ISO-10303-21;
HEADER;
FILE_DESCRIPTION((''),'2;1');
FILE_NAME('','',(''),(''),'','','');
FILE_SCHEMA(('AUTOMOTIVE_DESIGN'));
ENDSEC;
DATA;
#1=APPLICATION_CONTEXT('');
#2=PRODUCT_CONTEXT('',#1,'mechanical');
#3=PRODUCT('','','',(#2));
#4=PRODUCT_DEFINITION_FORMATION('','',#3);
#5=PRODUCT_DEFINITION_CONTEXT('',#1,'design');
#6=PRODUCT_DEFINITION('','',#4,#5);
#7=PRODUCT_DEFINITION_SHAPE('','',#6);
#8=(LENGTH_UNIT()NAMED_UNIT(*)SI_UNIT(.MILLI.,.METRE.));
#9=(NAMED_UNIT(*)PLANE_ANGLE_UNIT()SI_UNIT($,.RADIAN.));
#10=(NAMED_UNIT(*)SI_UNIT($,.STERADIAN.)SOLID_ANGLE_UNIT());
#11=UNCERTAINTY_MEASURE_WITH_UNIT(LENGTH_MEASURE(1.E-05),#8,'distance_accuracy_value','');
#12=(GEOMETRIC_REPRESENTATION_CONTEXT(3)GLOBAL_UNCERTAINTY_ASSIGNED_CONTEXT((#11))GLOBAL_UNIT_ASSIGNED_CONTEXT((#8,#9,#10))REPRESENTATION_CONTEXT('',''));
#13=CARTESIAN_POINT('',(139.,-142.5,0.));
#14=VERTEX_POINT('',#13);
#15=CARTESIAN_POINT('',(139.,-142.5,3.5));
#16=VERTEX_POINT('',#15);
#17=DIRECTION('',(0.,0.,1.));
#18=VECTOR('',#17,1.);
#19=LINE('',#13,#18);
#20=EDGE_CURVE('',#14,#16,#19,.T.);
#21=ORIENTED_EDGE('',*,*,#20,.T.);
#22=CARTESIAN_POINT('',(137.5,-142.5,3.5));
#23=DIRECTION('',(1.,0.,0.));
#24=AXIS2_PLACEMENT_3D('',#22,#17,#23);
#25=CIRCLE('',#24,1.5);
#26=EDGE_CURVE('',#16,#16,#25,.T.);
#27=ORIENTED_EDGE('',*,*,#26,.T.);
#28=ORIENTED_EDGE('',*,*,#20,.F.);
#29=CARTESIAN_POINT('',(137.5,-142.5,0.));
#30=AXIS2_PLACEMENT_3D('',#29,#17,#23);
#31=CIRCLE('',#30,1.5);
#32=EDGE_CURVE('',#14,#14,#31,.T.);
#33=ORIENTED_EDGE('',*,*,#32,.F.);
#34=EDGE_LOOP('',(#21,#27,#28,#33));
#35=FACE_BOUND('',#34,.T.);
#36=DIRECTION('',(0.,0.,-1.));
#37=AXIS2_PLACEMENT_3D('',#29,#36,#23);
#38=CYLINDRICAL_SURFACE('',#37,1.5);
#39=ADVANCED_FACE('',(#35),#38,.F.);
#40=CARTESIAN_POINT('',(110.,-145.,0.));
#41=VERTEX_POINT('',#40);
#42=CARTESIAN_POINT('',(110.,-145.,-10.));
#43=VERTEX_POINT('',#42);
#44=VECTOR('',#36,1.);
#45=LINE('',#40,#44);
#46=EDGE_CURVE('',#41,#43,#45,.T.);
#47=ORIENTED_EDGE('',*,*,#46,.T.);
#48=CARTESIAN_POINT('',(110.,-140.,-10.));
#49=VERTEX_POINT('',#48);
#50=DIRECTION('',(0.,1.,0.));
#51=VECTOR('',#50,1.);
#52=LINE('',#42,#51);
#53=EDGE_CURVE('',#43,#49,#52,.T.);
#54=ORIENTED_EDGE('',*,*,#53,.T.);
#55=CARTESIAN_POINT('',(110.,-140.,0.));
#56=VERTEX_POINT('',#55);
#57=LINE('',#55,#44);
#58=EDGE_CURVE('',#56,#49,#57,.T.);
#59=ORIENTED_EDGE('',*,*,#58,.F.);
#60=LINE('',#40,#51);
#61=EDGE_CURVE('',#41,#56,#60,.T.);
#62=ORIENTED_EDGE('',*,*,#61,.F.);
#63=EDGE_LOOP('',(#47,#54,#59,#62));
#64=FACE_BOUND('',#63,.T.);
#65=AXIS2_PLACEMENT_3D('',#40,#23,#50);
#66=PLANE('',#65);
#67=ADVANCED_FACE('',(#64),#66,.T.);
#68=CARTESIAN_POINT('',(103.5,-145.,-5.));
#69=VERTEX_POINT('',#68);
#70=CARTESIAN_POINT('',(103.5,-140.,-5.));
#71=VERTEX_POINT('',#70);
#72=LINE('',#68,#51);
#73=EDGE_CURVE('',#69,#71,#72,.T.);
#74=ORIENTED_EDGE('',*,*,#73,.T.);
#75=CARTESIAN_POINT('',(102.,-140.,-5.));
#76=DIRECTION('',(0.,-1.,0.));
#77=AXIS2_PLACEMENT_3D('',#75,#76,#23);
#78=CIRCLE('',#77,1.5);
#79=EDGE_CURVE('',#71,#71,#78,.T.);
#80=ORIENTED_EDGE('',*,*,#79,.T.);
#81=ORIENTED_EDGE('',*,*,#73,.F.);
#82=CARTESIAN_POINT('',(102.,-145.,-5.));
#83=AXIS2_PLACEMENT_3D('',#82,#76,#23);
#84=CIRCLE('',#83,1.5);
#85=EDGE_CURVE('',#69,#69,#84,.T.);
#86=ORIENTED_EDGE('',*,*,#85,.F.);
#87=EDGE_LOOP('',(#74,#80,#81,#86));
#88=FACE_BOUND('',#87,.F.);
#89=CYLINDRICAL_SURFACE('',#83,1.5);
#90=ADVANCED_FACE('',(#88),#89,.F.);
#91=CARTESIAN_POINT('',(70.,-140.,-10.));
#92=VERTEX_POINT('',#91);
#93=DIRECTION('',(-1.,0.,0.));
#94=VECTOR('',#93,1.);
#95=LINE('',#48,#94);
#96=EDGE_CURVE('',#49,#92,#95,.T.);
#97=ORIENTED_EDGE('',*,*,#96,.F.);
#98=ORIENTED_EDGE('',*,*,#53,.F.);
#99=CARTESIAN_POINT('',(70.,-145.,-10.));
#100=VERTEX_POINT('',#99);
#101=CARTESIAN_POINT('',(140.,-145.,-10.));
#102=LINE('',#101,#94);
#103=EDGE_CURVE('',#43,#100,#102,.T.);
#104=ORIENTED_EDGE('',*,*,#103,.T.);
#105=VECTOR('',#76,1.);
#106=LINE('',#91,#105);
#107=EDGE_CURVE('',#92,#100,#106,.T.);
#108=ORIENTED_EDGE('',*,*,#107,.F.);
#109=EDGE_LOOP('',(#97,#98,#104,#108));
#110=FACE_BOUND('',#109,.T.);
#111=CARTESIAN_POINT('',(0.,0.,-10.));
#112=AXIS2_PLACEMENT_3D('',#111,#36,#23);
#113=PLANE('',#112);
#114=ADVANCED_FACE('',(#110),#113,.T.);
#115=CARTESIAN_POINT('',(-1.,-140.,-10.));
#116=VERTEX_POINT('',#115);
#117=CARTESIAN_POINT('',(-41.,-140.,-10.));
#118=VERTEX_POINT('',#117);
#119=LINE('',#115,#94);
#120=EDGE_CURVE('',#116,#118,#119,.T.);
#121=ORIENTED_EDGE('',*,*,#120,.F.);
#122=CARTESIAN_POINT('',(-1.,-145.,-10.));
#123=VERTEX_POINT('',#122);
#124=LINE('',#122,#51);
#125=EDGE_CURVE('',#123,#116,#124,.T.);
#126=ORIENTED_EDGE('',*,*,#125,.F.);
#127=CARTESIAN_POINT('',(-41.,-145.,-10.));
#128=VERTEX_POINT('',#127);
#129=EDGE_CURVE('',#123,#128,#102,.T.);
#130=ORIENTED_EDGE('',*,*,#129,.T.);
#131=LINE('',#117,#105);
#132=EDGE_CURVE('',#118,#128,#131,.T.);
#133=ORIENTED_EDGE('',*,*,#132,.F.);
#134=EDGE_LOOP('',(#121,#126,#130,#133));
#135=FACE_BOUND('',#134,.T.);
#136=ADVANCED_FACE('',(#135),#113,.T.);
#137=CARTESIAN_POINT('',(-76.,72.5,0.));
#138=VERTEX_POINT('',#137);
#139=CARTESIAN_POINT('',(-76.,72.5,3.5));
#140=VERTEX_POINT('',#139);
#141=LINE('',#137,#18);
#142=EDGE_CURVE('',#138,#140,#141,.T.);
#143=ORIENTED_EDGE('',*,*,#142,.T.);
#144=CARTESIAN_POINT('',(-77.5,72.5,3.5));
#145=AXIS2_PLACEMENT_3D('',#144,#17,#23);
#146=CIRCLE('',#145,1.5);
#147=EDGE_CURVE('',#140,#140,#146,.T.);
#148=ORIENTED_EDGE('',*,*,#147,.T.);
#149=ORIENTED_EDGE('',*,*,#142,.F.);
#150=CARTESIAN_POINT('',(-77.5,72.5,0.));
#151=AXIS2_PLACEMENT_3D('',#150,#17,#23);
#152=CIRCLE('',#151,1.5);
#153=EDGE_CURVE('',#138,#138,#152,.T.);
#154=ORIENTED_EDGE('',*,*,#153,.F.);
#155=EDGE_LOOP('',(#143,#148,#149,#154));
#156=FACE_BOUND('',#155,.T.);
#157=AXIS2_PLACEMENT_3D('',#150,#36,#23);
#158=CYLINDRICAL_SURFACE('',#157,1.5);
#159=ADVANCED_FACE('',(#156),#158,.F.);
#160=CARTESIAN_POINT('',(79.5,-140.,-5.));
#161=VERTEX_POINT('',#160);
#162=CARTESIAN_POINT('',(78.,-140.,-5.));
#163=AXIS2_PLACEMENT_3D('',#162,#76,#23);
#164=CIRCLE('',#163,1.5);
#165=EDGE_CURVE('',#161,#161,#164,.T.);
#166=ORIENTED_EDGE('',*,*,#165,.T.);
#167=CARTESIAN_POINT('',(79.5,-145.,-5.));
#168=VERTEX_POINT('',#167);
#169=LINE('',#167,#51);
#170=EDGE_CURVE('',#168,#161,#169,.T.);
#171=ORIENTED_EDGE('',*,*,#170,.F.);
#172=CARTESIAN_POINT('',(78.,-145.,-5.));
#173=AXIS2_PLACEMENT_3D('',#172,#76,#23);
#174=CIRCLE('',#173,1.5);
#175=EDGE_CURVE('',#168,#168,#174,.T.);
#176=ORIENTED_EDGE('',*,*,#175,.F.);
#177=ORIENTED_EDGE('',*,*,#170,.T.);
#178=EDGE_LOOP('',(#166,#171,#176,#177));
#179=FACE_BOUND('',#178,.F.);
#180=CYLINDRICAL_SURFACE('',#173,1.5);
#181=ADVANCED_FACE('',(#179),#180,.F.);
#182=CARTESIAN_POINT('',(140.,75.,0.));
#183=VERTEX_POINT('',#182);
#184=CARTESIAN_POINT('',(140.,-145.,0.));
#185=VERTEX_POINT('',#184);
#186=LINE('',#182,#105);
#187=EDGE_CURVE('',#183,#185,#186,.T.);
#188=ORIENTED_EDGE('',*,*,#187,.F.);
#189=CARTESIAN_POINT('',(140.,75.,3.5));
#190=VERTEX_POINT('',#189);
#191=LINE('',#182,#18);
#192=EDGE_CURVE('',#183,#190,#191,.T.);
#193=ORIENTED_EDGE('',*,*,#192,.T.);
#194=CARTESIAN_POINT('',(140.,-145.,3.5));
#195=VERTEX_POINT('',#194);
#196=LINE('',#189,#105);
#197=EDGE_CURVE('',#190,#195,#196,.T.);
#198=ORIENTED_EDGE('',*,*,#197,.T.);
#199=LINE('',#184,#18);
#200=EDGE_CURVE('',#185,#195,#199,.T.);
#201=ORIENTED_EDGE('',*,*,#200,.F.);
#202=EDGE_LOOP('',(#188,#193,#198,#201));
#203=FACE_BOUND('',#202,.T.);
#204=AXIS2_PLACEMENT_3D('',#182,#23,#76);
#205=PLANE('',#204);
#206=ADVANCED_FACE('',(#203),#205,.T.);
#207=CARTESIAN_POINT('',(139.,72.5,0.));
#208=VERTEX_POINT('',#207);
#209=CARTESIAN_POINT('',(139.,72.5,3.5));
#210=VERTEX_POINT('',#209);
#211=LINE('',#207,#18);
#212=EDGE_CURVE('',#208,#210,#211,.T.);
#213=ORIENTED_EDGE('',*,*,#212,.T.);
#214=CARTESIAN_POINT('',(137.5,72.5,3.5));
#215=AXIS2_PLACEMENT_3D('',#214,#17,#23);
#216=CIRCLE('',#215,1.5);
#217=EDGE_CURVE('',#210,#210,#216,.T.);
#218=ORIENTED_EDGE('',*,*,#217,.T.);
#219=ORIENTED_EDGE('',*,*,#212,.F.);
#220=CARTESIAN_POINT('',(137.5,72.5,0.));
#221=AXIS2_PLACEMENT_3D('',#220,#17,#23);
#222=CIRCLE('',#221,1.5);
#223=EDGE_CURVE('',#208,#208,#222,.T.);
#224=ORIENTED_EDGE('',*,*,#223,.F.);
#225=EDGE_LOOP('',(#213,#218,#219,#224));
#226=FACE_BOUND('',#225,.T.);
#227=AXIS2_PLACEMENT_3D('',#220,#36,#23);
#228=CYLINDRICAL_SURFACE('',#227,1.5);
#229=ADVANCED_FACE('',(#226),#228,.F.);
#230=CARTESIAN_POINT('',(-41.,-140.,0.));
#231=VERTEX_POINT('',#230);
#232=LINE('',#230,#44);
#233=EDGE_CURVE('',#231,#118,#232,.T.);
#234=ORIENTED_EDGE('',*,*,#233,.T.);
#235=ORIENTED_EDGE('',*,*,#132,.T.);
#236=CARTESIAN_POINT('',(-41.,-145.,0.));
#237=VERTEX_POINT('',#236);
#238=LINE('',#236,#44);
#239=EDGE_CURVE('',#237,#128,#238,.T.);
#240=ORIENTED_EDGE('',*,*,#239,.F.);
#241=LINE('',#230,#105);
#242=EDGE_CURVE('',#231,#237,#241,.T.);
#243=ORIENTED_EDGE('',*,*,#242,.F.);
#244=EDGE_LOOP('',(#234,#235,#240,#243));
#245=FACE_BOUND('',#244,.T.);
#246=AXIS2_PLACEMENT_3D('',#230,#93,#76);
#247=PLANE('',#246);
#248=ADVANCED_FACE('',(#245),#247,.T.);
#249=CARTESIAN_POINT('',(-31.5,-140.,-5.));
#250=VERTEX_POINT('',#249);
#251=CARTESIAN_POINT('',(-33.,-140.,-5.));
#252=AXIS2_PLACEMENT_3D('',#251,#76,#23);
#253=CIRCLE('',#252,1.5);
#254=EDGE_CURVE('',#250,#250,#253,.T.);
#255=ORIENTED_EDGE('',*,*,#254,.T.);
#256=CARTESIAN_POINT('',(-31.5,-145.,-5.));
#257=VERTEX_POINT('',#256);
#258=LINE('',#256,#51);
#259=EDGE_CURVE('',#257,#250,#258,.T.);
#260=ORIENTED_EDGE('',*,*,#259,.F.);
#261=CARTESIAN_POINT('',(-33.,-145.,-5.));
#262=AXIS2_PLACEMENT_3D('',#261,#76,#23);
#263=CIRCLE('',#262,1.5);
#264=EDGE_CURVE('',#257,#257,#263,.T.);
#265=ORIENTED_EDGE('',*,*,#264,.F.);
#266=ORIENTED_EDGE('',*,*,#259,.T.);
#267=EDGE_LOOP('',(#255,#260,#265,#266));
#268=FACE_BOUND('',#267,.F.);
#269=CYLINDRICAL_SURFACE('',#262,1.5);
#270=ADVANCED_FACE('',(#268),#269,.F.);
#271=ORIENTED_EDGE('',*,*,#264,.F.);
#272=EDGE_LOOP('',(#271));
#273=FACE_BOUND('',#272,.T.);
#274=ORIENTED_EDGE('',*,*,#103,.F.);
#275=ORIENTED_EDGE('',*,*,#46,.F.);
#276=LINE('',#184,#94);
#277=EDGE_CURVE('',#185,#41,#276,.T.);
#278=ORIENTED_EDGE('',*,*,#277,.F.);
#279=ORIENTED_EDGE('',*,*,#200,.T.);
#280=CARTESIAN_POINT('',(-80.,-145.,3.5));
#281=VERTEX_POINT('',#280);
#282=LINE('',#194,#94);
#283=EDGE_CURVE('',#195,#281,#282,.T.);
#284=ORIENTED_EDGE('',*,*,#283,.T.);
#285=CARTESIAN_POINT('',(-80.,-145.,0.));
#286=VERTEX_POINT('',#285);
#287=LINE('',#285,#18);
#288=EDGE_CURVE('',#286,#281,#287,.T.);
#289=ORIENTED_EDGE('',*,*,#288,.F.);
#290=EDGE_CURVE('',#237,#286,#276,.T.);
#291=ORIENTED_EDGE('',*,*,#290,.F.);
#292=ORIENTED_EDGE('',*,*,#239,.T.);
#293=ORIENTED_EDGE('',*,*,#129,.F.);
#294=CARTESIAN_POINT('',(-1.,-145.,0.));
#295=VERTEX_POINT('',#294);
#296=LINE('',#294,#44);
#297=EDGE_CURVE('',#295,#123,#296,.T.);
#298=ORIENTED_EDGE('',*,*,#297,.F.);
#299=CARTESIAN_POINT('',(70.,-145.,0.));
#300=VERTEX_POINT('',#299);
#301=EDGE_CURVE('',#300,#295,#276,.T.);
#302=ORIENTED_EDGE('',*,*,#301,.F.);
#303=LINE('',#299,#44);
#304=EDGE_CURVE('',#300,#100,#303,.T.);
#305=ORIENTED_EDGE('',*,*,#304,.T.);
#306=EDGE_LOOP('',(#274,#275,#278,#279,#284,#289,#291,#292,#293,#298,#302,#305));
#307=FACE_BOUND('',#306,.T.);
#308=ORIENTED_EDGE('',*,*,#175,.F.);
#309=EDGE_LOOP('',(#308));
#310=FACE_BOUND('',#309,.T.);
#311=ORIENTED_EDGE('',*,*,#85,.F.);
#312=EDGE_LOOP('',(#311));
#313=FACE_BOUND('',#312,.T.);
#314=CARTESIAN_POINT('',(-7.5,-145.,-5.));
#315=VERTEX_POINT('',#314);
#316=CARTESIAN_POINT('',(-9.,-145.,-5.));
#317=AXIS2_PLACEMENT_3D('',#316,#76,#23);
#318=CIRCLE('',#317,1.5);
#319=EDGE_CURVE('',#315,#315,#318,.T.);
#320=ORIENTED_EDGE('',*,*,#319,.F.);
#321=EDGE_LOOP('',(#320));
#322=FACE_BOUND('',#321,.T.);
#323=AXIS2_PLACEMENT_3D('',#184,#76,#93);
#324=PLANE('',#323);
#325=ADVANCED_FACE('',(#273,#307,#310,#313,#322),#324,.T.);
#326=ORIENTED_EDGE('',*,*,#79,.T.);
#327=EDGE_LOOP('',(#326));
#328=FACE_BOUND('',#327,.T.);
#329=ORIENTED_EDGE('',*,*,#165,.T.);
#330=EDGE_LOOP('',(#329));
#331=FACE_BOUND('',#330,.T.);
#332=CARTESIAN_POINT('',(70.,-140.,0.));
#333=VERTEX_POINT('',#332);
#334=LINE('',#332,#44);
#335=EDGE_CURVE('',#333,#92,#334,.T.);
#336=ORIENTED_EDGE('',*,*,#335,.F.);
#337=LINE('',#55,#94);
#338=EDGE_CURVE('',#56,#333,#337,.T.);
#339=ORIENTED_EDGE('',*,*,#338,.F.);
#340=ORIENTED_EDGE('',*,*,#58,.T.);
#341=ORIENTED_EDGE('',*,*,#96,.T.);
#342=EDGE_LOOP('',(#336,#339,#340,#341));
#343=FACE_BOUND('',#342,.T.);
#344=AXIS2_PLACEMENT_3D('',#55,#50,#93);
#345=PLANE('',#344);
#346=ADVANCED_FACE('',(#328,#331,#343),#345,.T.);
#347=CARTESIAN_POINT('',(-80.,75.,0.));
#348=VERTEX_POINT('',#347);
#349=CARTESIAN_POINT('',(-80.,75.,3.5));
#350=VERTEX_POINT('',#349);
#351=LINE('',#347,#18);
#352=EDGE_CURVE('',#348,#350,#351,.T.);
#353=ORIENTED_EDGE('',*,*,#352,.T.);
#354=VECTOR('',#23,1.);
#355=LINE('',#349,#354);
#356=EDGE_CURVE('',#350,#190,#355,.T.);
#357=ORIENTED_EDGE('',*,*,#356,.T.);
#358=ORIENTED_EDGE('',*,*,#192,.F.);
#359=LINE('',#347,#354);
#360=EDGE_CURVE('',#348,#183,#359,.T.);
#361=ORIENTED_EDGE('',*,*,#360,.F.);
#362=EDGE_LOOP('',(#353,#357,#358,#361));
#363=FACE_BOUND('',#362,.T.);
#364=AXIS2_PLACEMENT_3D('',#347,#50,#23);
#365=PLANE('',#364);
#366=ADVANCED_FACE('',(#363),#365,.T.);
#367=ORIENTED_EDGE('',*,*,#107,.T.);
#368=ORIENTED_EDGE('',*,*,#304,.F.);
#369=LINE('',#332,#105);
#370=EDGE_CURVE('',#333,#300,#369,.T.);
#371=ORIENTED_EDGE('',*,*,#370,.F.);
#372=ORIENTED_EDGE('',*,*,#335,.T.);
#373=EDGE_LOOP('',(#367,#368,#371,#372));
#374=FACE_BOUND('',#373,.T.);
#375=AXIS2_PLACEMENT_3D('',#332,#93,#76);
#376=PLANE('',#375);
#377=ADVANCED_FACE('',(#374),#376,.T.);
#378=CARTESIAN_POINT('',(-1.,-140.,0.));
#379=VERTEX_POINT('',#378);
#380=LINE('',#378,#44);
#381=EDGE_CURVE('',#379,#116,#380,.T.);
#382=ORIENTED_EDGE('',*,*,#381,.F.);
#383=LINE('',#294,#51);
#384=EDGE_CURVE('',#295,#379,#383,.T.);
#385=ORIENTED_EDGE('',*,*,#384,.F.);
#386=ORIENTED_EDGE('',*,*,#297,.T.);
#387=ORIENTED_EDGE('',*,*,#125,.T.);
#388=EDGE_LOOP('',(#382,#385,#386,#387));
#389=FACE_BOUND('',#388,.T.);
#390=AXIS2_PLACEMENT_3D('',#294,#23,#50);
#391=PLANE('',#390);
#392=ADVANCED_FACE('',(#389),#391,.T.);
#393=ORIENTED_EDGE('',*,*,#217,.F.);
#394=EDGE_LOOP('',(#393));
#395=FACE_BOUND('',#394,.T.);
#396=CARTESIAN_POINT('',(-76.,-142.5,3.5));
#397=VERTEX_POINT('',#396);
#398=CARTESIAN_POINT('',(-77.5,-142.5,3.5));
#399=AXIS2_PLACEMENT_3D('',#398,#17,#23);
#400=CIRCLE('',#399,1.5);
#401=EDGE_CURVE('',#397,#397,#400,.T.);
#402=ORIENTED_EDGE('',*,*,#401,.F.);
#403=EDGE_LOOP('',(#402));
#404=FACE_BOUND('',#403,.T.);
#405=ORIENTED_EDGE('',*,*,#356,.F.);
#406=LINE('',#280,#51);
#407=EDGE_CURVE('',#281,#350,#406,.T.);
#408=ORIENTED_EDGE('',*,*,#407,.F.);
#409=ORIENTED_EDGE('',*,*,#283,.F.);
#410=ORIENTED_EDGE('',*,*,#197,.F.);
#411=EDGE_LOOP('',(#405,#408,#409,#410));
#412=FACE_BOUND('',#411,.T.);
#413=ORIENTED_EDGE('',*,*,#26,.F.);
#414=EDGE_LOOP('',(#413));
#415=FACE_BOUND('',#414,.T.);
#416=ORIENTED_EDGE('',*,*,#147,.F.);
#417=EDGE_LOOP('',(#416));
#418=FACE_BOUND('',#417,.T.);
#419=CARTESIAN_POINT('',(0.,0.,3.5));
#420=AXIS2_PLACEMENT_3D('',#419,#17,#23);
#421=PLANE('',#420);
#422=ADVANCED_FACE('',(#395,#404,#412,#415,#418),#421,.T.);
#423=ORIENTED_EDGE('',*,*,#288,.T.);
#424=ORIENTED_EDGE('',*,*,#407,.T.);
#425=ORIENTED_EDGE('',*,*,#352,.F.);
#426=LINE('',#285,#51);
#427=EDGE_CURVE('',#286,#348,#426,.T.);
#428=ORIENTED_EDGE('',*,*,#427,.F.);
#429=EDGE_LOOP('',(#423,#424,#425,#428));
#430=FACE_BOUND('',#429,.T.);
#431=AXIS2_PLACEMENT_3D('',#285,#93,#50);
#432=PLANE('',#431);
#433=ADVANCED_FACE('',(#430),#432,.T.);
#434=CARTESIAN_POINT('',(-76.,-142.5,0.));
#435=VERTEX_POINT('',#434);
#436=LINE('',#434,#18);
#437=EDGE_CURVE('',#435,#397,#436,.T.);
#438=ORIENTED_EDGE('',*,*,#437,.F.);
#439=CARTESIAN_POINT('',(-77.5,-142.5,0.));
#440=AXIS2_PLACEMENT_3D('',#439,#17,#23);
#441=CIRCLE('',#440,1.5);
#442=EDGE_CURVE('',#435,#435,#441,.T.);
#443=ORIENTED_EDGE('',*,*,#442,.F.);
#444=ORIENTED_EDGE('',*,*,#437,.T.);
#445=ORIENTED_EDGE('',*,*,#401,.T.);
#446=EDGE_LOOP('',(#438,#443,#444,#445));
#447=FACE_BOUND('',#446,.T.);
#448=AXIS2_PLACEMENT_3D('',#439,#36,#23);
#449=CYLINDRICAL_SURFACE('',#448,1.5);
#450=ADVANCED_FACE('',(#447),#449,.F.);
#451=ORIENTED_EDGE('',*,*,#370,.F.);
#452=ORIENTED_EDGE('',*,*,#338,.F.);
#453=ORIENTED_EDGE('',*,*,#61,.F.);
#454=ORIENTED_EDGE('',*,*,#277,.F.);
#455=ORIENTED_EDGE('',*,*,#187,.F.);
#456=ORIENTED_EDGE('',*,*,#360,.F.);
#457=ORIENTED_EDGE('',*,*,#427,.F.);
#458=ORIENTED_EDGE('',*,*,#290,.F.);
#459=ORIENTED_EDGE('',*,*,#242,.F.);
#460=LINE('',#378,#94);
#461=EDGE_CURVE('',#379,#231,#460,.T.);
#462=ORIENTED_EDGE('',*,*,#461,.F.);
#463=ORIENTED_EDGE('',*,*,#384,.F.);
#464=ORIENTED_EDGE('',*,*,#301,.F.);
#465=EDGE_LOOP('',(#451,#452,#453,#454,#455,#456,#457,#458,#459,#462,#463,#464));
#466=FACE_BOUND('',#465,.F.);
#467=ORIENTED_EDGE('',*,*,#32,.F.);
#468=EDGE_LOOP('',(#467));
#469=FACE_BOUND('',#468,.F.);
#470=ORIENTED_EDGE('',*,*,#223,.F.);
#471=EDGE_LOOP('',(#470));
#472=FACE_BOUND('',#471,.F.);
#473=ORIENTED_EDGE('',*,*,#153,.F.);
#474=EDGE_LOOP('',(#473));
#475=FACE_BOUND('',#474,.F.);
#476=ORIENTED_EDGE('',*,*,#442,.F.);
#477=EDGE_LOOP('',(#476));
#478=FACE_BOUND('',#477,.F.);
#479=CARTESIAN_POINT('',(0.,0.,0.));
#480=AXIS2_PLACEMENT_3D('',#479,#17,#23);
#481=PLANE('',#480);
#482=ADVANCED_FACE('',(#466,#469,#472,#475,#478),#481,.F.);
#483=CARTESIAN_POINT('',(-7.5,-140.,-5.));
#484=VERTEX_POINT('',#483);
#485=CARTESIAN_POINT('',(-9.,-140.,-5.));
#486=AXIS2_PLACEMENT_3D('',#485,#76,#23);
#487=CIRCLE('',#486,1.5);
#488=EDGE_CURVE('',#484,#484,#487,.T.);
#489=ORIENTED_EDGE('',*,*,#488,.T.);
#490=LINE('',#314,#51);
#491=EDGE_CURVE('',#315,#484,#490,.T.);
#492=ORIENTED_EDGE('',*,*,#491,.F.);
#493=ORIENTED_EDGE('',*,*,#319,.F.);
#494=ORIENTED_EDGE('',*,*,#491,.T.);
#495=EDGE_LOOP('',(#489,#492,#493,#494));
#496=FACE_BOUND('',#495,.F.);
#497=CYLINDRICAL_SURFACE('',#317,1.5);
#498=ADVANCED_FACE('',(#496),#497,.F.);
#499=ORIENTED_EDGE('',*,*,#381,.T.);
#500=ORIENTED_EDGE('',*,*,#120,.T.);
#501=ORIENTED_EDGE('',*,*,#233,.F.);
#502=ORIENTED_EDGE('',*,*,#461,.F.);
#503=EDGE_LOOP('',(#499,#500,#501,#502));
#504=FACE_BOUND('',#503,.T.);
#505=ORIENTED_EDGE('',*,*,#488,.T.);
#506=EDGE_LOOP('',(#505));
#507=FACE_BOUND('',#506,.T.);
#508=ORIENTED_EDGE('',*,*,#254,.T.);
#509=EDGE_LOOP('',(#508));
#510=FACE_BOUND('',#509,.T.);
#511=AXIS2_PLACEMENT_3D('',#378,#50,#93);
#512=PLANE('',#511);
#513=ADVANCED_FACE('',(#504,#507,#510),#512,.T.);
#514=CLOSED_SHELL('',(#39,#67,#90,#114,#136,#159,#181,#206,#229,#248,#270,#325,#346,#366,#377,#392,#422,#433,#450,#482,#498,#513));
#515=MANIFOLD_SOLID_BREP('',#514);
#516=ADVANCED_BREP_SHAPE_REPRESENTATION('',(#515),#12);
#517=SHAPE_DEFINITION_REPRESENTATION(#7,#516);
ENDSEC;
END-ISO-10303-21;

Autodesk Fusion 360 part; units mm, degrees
sketch "Sketch1" plane through (0, 0, 0) normal (0, 0, 1) x (1, 0, 0)
  line L0 (-80, 75) -> (140, 75)
  line L1 (140, 75) -> (140, -145)
  line L2 (140, -145) -> (-80, -145)
  line L3 (-80, -145) -> (-80, 75)
  circle A0 centre (-77.5, 72.5) radius 1.5
  circle A1 centre (137.5, 72.5) radius 1.5
  circle A2 centre (137.5, -142.5) radius 1.5
  circle A3 centre (-77.5, -142.5) radius 1.5
  dimension "d1" = 220
  dimension "d2" = 220
  dimension "d3" = 3
  dimension "d4" = 3
  dimension "d5" = 3
  dimension "d6" = 3
  dimension "d7" = 2.5
  dimension "d8" = 2.5
  dimension "d9" = 2.5
  dimension "d10" = 2.5
  dimension "d11" = 2.5
  dimension "d12" = 2.5
  dimension "d13" = 2.5
  dimension "d14" = 2.5
extrude "Extrude1" add sketch "Sketch1" along normal blind 3.5
sketch "Sketch2" plane through (0, 0, 0) normal (0, 0, -1) x (1, 0, 0)
  circle A0 centre (137.5, 142.5) radius 1.5
  circle A1 centre (137.5, -72.5) radius 1.5
  circle A2 centre (-77.5, -72.5) radius 1.5
  circle A3 centre (-77.5, 142.5) radius 1.5
  line L0 (140, 145) -> (-80, 145)
  line L1 (-80, 145) -> (-80, -75)
  line L2 (-80, -75) -> (140, -75)
  line L3 (140, -75) -> (140, 145)
  line L4 (-41, 145) -> (-1, 145)
  line L5 (-1, 145) -> (-1, 140)
  line L6 (-1, 140) -> (-41, 140)
  line L7 (-41, 140) -> (-41, 145)
  line L8 (70, 145) -> (110, 145)
  line L9 (110, 145) -> (110, 140)
  line L10 (110, 140) -> (70, 140)
  line L11 (70, 140) -> (70, 145)
  dimension "d17" = 5
  dimension "d18" = 5
  dimension "d19" = 40
  dimension "d20" = 40
  dimension "d21" = 30
  dimension "d22" = 39
extrude "Extrude2" add sketch "Sketch2" along normal blind 10 contours L0 L8 L9 L10 L11 | L0 L4 L5 L6 L7
sketch "Sketch3" plane through (0, -145, 0) normal (0, -1, 0) x (1, 0, 0)
  line L0 (110, 0) -> (140, 0)
  line L1 (140, 0) -> (140, 3.5)
  line L2 (140, 3.5) -> (-80, 3.5)
  line L3 (-80, 3.5) -> (-80, 0)
  line L4 (-80, 0) -> (-41, 0)
  line L5 (-41, 0) -> (-41, -10)
  line L6 (-41, -10) -> (-1, -10)
  line L7 (-1, -10) -> (-1, 0)
  line L8 (-1, 0) -> (70, 0)
  line L9 (70, 0) -> (70, -10)
  line L10 (70, -10) -> (110, -10)
  line L11 (110, -10) -> (110, 0)
  circle A0 centre (-33, -5) radius 1.5
  circle A1 centre (-9, -5) radius 1.5
  circle A2 centre (78, -5) radius 1.5
  circle A3 centre (102, -5) radius 1.5
  dimension "d25" = 3
  dimension "d26" = 3
  dimension "d27" = 3
  dimension "d28" = 3
  dimension "d29" = 5
  dimension "d30" = 5
  dimension "d31" = 8
  dimension "d32" = 8
  dimension "d33" = 5
  dimension "d34" = 8
  dimension "d35" = 8
  dimension "d36" = 5
extrude "Extrude3" cut sketch "Sketch3" against normal blind 5 contours A0 | A1 | A2 | A3
